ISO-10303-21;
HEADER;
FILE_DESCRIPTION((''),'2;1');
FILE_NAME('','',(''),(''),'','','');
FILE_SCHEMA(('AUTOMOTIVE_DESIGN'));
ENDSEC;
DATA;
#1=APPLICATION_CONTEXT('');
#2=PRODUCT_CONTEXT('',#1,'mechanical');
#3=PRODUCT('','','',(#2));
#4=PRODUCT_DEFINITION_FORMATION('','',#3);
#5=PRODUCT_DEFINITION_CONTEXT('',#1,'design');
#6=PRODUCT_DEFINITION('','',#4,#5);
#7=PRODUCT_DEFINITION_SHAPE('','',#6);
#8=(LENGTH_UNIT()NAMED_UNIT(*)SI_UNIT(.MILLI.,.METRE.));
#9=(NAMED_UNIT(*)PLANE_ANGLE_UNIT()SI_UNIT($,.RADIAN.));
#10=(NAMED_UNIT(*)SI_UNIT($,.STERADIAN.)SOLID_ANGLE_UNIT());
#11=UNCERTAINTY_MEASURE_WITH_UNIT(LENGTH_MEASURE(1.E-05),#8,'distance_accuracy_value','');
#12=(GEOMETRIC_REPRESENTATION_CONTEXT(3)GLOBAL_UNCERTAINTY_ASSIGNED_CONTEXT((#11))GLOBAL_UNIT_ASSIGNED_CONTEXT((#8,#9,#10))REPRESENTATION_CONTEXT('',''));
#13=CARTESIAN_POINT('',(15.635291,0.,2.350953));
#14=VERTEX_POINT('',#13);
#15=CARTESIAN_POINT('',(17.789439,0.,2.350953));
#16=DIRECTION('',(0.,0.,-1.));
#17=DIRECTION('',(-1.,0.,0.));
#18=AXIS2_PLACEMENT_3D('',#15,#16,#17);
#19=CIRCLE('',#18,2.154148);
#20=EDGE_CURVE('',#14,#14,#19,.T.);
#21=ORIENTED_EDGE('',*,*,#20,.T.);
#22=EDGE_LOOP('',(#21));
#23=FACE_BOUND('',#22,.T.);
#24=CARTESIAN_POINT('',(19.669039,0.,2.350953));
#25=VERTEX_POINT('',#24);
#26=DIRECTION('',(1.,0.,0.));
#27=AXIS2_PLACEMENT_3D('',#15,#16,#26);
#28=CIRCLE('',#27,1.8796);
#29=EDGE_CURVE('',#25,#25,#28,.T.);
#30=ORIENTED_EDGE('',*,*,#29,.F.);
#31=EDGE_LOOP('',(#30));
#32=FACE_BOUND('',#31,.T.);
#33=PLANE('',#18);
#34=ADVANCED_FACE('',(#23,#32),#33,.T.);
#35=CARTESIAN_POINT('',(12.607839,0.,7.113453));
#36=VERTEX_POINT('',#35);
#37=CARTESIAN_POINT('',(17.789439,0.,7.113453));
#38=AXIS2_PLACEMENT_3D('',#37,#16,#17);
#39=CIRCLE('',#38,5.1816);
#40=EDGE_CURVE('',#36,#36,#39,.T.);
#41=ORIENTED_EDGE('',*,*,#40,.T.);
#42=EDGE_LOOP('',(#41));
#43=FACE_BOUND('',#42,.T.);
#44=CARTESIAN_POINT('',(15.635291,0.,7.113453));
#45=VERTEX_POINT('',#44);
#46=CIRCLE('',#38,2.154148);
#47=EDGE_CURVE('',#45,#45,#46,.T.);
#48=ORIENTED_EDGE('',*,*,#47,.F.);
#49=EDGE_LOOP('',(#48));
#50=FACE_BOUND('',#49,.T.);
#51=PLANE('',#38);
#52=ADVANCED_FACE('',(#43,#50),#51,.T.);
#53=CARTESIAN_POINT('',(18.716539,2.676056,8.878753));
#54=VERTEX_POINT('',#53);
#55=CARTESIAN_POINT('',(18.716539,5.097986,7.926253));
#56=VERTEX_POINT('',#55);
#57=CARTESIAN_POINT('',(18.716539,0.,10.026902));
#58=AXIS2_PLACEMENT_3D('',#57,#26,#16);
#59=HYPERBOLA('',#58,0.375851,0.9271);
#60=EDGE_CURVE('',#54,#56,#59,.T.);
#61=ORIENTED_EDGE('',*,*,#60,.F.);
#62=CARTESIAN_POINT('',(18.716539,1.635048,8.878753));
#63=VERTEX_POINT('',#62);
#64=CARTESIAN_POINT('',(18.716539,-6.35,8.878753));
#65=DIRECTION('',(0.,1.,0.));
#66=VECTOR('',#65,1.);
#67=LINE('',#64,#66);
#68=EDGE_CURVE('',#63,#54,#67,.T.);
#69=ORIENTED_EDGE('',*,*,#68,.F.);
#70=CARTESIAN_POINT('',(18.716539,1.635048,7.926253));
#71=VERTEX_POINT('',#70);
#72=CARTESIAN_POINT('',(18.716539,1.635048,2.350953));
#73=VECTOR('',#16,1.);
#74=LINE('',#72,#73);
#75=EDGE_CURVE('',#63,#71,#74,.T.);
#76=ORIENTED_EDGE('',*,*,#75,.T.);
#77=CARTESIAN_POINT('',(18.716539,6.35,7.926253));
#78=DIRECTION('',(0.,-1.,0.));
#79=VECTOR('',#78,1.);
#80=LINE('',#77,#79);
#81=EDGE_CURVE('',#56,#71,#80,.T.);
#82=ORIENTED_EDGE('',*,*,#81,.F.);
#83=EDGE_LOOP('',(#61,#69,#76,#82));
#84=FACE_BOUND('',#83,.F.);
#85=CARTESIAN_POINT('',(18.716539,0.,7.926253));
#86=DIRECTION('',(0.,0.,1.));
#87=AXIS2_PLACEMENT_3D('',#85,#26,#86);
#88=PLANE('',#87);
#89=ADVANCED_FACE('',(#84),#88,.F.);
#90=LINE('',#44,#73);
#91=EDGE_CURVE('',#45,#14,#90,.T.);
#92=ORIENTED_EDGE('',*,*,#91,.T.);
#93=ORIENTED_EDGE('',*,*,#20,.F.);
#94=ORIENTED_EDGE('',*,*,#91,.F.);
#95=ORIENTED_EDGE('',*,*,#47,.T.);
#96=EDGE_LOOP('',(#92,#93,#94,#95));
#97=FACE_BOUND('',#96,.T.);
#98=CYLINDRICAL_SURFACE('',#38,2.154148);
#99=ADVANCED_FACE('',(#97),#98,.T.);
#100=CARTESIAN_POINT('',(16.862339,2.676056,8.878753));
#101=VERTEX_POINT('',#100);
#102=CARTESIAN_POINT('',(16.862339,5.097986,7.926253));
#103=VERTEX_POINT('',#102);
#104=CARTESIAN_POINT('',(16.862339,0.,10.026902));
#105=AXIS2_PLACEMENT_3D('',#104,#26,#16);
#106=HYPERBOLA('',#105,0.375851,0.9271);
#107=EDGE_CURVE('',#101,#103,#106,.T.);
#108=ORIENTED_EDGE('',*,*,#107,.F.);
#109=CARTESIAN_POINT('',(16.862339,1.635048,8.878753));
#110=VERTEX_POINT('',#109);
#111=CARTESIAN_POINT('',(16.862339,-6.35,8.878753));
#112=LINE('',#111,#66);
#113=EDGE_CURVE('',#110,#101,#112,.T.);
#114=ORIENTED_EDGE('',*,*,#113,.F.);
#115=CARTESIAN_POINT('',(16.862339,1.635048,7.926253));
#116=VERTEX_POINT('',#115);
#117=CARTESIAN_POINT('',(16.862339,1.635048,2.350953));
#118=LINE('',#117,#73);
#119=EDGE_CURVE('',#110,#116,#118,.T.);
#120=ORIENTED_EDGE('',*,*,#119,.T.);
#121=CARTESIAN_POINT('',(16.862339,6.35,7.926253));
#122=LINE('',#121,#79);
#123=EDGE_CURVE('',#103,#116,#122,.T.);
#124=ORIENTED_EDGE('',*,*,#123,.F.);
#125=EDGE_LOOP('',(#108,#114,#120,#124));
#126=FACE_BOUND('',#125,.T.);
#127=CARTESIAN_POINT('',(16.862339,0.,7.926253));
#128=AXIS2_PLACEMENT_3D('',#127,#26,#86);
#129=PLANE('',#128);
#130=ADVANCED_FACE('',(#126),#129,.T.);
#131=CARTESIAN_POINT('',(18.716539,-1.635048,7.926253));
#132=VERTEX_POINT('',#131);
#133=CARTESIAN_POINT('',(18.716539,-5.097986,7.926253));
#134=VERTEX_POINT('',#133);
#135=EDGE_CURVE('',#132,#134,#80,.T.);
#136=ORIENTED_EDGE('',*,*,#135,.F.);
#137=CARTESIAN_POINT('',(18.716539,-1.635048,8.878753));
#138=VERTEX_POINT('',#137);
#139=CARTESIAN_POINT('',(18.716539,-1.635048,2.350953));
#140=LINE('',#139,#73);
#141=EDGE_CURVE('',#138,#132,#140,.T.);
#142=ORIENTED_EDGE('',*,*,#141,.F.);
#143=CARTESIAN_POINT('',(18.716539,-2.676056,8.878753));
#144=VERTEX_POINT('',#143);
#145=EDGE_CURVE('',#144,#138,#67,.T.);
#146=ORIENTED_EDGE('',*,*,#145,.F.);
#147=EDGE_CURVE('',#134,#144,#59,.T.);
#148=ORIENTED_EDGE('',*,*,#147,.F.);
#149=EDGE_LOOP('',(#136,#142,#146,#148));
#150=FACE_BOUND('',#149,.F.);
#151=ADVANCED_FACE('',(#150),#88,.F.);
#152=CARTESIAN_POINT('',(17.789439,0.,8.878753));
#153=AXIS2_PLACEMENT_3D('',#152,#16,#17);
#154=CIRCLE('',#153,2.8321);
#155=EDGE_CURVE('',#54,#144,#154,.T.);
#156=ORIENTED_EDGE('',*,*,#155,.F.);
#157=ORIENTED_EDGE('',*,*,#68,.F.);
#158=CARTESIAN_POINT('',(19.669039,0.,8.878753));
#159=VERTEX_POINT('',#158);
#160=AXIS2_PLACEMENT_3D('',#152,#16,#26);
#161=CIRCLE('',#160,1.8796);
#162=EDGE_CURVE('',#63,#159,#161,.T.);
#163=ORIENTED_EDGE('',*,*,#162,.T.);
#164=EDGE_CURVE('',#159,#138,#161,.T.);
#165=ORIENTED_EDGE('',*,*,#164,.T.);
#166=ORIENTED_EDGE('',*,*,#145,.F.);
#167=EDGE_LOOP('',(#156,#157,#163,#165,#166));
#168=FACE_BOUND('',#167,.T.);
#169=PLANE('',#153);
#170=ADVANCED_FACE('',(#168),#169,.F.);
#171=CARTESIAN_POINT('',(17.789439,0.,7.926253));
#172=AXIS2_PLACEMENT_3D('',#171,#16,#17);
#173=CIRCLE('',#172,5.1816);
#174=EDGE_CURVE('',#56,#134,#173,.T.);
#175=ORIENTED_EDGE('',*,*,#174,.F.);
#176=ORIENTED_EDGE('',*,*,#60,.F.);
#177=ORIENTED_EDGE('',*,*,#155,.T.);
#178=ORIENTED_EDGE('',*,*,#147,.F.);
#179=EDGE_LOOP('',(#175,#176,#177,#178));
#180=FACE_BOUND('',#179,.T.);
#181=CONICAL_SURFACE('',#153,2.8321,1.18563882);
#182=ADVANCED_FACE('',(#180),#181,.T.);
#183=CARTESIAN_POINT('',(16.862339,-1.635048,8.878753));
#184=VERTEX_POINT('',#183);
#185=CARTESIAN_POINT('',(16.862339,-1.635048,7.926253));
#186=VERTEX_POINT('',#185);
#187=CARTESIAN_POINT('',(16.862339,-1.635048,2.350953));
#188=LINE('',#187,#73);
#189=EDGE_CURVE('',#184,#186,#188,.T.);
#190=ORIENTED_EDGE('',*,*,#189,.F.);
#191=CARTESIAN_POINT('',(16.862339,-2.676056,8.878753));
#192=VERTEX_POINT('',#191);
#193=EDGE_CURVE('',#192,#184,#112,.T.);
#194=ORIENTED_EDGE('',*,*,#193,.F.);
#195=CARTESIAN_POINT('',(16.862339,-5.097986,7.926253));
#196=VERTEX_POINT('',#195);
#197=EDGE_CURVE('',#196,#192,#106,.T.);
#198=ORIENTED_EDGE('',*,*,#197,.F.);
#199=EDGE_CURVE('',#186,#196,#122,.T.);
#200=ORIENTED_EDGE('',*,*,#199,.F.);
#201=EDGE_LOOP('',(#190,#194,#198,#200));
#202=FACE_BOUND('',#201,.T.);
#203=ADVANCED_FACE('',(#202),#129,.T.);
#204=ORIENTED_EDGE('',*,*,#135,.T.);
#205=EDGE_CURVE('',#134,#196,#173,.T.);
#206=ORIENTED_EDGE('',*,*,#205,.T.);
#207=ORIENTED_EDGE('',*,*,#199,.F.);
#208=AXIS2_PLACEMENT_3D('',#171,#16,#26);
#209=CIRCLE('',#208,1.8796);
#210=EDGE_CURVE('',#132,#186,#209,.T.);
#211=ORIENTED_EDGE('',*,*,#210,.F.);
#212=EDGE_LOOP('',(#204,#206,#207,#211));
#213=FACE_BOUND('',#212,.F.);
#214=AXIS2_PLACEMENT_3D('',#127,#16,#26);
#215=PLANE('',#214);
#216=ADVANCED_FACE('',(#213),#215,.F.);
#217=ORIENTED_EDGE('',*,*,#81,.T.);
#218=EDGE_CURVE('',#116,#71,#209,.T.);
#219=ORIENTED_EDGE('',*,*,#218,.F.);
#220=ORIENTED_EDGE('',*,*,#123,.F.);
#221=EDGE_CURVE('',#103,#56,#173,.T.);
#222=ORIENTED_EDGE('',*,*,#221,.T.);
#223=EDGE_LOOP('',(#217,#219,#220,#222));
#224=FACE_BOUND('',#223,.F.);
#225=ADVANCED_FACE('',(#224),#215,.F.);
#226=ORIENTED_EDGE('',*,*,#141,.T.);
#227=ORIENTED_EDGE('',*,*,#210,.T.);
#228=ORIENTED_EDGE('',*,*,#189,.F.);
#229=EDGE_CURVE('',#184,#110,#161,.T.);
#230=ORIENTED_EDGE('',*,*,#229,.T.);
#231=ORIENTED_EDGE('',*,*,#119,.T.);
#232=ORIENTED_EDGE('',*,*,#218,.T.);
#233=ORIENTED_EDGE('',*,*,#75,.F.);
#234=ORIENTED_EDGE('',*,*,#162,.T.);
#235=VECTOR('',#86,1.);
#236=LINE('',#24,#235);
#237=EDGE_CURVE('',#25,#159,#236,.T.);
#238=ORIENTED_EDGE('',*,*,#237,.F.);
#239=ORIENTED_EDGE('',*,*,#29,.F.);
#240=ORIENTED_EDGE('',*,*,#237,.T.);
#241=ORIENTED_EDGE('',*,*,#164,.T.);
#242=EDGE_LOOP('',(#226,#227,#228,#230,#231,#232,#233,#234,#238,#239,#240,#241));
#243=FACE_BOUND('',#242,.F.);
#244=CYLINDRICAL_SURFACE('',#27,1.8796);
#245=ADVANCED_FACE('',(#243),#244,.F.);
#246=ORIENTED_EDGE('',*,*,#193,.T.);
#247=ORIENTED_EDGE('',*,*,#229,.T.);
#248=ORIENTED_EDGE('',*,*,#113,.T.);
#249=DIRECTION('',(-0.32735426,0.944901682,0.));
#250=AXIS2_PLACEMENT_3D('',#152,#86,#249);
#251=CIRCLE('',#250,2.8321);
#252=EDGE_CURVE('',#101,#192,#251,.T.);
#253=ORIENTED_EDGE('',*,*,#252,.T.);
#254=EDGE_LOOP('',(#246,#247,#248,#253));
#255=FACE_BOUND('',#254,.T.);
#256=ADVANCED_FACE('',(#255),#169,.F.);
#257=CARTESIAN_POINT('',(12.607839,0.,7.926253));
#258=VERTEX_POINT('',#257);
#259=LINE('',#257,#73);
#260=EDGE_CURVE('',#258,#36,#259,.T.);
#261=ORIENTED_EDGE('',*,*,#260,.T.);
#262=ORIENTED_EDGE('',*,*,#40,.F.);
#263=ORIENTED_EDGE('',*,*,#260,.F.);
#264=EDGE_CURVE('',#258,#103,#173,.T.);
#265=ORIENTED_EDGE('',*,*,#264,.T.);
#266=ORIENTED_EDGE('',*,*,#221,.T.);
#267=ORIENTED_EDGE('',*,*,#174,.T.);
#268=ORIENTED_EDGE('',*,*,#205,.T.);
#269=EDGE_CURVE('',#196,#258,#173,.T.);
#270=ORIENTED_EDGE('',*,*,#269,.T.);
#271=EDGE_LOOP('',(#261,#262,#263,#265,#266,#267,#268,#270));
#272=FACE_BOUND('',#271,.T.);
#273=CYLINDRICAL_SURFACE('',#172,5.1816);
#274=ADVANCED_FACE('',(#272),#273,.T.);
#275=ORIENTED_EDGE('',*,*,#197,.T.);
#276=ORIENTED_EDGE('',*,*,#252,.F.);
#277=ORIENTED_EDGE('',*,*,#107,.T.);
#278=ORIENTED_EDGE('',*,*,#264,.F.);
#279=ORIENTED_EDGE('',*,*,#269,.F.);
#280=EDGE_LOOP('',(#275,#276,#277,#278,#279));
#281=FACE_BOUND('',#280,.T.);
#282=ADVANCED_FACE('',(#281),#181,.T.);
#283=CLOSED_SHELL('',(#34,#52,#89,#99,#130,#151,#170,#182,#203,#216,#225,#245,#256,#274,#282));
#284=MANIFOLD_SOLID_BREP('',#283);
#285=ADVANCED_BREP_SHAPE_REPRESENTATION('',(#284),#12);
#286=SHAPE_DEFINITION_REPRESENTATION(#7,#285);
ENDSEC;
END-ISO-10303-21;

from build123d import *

# Parameters (mm, degrees)
F2_W     = 1.8542
F2_H     = 0.9525
F3_DEPTH = 6.35
F4_R     = 1.8796
F5_DEPTH = 6.5288


with BuildPart() as f1:
    # F0 (on Front) → F1 (revolve)
    with BuildSketch(Plane.XZ):
        Polygon((17.789439, 2.350953), (17.789439, 8.878753), (14.957339, 8.878753), (12.607839, 7.926253), (12.607839, 7.113453), (15.635291, 7.113453), (15.635291, 2.350953), align=None)
    revolve(axis=Axis((17.789439, 0, 5.614853), (0, 0, -1)))

    # F2 (on Front) → F3 (cut, symmetric)
    with BuildSketch(Plane.XZ):
        with Locations((17.789439, 8.402503)):
            Rectangle(F2_W, F2_H)
    extrude(amount=F3_DEPTH, both=True, mode=Mode.SUBTRACT)

    # F4 (on face) → F5 (cut, through all)
    with BuildSketch(Plane(origin=(0, 0, 2.350953), x_dir=(1, 0, 0), z_dir=(0, 0, -1))):
        with Locations((17.789439, 0)):
            Circle(F4_R)
    extrude(amount=-F5_DEPTH, mode=Mode.SUBTRACT)


solid = f1.part
